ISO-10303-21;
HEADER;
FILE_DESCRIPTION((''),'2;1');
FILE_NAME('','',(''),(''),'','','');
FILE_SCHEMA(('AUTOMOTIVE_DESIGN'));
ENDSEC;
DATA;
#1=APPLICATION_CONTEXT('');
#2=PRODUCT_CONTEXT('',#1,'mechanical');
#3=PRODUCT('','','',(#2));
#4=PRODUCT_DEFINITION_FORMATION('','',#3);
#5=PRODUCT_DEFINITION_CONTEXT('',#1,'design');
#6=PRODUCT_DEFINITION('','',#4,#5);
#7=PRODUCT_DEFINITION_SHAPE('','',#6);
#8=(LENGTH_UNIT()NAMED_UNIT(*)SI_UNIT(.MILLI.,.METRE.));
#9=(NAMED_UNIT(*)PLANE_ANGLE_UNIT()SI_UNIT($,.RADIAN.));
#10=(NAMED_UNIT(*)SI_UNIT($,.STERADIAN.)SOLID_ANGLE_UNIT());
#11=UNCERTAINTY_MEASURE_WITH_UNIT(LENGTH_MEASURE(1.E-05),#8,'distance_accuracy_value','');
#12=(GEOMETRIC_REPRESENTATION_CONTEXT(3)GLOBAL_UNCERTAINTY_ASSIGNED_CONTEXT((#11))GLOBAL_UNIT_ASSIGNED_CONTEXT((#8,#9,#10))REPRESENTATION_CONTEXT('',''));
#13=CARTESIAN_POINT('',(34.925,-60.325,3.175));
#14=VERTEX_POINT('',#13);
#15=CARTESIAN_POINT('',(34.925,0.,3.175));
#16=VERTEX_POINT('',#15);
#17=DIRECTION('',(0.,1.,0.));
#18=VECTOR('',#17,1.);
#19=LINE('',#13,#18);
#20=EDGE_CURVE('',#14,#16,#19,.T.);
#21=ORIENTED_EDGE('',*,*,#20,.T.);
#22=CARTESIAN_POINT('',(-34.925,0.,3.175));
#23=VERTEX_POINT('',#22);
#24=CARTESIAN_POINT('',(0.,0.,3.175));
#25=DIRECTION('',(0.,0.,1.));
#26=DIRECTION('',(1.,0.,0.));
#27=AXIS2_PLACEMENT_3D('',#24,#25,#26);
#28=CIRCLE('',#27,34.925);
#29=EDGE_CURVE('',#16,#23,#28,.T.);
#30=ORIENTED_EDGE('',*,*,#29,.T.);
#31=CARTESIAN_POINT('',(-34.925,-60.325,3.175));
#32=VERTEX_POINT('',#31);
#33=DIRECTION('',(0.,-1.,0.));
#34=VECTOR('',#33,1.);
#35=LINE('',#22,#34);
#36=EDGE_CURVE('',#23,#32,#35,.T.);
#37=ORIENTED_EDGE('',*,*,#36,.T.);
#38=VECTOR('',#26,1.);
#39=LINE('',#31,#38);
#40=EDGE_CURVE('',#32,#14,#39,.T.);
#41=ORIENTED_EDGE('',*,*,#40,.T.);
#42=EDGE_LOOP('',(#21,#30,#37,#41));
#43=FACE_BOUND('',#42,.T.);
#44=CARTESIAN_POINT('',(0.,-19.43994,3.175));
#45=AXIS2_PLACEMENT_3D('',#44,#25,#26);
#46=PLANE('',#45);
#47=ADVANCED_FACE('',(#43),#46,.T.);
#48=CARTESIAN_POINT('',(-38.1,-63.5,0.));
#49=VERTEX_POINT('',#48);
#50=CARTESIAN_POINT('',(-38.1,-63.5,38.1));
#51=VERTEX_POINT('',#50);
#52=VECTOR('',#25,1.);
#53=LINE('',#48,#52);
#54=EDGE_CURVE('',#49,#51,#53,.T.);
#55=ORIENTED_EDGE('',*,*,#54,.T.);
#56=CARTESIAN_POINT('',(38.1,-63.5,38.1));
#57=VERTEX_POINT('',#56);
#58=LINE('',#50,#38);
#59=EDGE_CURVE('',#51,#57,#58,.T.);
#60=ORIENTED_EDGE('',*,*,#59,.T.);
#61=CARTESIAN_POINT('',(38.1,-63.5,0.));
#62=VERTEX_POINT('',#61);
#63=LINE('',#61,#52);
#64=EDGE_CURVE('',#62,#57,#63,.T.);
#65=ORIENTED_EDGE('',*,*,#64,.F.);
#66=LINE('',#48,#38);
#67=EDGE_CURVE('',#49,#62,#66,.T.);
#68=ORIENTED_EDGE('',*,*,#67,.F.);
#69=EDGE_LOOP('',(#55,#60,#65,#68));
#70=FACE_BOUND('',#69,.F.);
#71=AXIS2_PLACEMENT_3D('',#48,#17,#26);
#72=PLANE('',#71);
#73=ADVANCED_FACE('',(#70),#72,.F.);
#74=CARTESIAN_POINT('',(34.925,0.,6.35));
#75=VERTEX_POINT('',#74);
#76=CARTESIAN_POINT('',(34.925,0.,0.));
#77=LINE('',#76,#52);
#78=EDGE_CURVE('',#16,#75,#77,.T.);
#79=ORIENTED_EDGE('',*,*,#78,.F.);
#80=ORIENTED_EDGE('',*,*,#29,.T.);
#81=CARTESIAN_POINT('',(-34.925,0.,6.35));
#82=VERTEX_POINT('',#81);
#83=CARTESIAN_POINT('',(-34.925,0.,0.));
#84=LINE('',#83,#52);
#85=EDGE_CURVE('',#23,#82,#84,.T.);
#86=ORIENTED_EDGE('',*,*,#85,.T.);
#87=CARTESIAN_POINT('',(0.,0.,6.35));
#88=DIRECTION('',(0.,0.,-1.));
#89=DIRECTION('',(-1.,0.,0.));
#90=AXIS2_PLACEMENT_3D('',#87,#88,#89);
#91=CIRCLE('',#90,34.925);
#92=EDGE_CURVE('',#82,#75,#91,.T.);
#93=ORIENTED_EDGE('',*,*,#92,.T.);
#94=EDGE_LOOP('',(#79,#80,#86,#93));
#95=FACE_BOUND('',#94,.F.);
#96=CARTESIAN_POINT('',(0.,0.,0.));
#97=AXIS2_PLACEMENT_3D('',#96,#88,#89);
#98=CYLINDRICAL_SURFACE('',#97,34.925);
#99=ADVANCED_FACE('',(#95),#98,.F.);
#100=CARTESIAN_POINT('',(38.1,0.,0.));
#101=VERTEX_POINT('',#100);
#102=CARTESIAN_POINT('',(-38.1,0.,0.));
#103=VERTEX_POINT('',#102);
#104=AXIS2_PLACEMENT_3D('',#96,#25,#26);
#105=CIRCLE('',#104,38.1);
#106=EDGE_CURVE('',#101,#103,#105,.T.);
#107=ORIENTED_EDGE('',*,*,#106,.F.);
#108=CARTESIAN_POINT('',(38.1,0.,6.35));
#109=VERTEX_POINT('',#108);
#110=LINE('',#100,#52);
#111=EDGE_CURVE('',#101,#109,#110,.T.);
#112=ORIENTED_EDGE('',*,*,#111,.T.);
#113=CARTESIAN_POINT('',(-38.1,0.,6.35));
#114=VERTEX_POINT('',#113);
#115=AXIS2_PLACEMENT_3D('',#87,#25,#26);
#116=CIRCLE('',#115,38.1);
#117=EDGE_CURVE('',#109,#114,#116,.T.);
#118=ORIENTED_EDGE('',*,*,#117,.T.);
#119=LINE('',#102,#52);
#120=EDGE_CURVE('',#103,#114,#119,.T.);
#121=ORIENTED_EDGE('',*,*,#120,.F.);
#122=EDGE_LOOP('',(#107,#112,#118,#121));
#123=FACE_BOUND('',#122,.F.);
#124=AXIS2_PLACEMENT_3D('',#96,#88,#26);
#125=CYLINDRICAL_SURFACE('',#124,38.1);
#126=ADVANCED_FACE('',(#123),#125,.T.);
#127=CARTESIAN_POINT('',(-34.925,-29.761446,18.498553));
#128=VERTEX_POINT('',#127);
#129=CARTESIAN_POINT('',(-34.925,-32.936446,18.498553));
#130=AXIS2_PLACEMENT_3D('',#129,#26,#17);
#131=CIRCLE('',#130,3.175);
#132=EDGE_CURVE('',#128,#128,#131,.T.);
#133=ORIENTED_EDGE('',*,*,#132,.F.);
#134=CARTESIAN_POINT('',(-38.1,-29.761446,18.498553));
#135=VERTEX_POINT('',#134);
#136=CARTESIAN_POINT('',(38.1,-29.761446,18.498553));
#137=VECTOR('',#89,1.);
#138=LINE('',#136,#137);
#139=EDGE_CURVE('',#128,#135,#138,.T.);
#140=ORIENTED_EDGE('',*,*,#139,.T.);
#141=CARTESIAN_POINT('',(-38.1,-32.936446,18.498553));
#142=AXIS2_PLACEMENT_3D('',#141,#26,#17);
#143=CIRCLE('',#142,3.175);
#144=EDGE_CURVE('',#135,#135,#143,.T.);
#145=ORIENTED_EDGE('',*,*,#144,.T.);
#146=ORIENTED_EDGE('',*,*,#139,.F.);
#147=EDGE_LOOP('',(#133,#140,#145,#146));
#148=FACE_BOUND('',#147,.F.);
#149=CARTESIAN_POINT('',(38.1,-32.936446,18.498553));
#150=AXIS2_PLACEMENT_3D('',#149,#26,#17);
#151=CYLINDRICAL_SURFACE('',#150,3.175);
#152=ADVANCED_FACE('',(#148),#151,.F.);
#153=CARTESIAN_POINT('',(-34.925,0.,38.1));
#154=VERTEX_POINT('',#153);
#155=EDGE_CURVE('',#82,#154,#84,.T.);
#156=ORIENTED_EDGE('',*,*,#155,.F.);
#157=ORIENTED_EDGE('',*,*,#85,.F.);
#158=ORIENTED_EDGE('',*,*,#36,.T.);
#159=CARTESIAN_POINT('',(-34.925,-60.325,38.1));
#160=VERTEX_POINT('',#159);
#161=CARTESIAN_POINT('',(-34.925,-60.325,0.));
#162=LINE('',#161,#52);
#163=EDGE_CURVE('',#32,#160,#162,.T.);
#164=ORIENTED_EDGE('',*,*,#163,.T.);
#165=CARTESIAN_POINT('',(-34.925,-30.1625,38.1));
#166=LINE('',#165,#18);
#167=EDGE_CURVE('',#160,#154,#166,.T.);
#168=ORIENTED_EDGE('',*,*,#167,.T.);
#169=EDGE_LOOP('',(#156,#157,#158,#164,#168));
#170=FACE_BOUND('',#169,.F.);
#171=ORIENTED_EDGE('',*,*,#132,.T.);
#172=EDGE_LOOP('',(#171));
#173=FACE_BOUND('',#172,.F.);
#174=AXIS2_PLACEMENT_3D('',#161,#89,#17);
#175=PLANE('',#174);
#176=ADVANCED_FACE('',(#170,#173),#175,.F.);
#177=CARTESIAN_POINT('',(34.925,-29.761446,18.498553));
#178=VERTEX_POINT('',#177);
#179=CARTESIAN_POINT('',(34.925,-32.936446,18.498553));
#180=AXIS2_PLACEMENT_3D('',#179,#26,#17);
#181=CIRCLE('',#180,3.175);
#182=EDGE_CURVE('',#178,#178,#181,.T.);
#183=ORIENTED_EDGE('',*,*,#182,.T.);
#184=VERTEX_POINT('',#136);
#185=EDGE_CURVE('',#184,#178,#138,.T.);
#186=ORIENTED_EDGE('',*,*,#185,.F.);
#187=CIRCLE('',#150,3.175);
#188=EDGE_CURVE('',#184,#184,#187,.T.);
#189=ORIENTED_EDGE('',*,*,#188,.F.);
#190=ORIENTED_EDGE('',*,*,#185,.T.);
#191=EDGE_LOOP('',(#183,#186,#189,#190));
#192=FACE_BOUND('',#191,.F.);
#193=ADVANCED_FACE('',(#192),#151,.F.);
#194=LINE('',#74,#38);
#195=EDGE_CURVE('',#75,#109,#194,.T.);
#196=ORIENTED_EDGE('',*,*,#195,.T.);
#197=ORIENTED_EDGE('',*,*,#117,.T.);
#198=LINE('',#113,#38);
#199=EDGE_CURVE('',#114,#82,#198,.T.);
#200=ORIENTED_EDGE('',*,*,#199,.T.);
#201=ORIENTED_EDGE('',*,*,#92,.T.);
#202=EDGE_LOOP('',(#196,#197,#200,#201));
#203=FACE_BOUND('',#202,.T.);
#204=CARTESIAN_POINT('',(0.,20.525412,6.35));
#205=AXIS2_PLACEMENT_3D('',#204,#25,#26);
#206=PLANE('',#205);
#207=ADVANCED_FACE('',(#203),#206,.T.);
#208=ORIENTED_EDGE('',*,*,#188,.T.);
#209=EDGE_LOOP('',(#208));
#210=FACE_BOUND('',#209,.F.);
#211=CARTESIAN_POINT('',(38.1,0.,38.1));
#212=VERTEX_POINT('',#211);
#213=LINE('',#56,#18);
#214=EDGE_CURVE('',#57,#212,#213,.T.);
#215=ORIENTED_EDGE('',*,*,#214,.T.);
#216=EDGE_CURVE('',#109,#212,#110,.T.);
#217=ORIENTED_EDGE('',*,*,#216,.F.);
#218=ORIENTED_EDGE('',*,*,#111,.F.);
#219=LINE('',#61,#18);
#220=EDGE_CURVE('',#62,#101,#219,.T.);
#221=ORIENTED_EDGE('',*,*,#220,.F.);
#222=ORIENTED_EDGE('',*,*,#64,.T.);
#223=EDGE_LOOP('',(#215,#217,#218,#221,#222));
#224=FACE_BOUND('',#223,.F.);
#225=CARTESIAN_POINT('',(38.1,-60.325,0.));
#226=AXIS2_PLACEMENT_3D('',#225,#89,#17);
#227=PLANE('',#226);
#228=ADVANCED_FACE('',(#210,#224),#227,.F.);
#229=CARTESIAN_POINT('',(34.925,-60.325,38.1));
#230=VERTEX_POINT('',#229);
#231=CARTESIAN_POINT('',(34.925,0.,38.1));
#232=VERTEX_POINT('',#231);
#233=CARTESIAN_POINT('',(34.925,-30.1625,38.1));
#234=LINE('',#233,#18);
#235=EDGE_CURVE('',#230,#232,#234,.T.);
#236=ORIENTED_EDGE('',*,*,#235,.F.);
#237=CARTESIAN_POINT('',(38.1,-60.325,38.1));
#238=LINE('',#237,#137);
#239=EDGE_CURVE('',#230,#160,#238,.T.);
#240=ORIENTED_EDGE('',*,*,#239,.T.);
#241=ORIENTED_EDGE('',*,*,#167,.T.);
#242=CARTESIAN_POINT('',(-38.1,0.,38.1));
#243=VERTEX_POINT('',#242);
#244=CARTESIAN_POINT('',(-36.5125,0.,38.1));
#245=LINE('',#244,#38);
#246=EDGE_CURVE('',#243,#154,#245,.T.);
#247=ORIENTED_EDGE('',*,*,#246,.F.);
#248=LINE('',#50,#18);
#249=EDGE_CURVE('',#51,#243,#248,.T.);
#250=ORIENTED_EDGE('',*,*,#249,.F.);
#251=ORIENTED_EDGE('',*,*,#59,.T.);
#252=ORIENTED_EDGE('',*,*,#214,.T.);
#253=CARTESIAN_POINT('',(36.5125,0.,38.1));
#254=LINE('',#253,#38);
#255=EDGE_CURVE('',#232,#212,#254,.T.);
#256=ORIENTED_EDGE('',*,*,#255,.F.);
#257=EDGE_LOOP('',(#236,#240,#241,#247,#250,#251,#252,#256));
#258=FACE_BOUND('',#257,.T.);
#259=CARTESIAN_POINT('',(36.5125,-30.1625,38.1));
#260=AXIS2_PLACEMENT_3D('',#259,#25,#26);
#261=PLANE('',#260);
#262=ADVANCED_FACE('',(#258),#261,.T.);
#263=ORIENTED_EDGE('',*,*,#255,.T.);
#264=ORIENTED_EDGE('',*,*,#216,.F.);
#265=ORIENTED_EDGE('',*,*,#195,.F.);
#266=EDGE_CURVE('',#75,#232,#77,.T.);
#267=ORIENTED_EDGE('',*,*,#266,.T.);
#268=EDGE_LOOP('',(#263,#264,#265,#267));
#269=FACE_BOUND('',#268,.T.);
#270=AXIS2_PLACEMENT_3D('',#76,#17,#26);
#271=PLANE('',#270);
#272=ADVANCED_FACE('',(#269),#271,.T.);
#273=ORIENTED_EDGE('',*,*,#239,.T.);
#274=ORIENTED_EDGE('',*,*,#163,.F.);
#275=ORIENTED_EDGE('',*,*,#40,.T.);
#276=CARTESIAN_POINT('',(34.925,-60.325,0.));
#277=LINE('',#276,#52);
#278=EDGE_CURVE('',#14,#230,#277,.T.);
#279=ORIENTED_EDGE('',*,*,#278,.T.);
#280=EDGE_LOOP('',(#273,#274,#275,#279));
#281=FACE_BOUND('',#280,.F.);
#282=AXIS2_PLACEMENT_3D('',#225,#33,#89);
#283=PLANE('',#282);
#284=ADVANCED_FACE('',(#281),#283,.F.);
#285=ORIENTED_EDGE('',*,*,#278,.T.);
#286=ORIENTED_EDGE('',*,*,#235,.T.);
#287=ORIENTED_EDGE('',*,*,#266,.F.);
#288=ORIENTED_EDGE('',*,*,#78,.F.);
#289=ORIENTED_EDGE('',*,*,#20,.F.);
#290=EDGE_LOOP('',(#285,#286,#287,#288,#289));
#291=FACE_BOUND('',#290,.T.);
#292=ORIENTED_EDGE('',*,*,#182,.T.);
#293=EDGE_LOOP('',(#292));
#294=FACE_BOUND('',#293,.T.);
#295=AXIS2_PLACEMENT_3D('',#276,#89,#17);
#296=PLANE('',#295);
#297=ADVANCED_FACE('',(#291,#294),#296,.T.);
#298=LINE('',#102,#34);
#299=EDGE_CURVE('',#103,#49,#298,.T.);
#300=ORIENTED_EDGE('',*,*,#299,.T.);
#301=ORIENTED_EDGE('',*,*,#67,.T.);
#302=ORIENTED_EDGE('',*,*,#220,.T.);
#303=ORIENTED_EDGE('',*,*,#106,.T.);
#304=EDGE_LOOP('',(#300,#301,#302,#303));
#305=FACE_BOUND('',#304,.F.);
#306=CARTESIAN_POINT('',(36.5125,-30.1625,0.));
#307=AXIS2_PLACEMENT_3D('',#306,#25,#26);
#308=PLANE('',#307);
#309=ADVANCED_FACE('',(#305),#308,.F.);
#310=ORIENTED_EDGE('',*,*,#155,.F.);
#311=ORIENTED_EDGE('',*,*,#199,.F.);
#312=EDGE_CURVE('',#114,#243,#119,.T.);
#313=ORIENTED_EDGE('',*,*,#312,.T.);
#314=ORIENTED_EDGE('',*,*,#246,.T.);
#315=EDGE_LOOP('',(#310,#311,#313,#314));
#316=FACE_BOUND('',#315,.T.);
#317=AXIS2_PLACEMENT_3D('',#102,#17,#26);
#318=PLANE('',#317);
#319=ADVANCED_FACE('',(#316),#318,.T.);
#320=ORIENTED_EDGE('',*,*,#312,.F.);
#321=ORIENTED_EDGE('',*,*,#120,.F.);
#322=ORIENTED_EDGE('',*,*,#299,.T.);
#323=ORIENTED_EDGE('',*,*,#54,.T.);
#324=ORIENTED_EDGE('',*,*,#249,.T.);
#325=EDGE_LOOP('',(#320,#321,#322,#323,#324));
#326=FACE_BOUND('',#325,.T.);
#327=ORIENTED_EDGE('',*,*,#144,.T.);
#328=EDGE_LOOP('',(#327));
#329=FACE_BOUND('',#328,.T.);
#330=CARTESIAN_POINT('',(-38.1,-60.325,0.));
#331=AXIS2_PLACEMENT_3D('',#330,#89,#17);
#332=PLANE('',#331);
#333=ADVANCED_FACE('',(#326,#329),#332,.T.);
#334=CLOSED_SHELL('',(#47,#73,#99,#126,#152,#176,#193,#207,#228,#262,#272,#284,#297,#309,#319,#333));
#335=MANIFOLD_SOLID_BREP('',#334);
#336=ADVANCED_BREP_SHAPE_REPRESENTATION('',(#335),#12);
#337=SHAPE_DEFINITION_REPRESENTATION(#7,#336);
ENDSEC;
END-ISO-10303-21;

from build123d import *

# Parameters (mm, degrees)
F1_DEPTH = 3.175
F2_DEPTH = 6.35
F3_DEPTH = 38.1
F0_W     = 3.175
F0_H     = 60.325
F4_DEPTH = 38.1
F5_DEPTH = 38.1
F6_R     = 3.175
F7_DEPTH = 76.2


with BuildPart() as f1:
    # F0 (on Top) → F1 (new body)
    with BuildSketch(Plane.XY):
        with BuildLine():
            Line((34.925, -60.325), (34.925, 0))
            ThreePointArc((34.925, 0), (0, 34.925), (-34.925, 0))
            Line((-34.925, 0), (-34.925, -60.325))
            Line((-34.925, -60.325), (34.925, -60.325))
        make_face()
    extrude(amount=F1_DEPTH)

    # F0 (on Top) → F2 (join)
    with BuildSketch(Plane.XY):
        with BuildLine():
            Line((34.925, 0), (38.1, 0))
            ThreePointArc((38.1, 0), (0, 38.1), (-38.1, 0))
            Line((-38.1, 0), (-34.925, 0))
            ThreePointArc((-34.925, 0), (0, 34.925), (34.925, 0))
        make_face()
    extrude(amount=F2_DEPTH)

    # F0 (on Top) → F3 (join)
    with BuildSketch(Plane.XY):
        Polygon((38.1, -63.5), (38.1, -60.325), (34.925, -60.325), (-34.925, -60.325), (-38.1, -60.325), (-38.1, -63.5), align=None)
    extrude(amount=F3_DEPTH)

    # F0 (on Top) → F4 (join)
    with BuildSketch(Plane.XY):
        with Locations((-36.5125, -30.1625)):
            Rectangle(F0_W, F0_H)
    extrude(amount=F4_DEPTH)

    # F0 (on Top) → F5 (join)
    with BuildSketch(Plane.XY):
        with Locations((36.5125, -30.1625)):
            Rectangle(F0_W, F0_H)
    extrude(amount=F5_DEPTH)

    # F6 (on face) → F7 (cut)
    with BuildSketch(Plane.YZ.offset(38.1)):
        with Locations((-32.936446, 18.498553)):
            Circle(F6_R)
    extrude(amount=-F7_DEPTH, mode=Mode.SUBTRACT)


solid = f1.part
